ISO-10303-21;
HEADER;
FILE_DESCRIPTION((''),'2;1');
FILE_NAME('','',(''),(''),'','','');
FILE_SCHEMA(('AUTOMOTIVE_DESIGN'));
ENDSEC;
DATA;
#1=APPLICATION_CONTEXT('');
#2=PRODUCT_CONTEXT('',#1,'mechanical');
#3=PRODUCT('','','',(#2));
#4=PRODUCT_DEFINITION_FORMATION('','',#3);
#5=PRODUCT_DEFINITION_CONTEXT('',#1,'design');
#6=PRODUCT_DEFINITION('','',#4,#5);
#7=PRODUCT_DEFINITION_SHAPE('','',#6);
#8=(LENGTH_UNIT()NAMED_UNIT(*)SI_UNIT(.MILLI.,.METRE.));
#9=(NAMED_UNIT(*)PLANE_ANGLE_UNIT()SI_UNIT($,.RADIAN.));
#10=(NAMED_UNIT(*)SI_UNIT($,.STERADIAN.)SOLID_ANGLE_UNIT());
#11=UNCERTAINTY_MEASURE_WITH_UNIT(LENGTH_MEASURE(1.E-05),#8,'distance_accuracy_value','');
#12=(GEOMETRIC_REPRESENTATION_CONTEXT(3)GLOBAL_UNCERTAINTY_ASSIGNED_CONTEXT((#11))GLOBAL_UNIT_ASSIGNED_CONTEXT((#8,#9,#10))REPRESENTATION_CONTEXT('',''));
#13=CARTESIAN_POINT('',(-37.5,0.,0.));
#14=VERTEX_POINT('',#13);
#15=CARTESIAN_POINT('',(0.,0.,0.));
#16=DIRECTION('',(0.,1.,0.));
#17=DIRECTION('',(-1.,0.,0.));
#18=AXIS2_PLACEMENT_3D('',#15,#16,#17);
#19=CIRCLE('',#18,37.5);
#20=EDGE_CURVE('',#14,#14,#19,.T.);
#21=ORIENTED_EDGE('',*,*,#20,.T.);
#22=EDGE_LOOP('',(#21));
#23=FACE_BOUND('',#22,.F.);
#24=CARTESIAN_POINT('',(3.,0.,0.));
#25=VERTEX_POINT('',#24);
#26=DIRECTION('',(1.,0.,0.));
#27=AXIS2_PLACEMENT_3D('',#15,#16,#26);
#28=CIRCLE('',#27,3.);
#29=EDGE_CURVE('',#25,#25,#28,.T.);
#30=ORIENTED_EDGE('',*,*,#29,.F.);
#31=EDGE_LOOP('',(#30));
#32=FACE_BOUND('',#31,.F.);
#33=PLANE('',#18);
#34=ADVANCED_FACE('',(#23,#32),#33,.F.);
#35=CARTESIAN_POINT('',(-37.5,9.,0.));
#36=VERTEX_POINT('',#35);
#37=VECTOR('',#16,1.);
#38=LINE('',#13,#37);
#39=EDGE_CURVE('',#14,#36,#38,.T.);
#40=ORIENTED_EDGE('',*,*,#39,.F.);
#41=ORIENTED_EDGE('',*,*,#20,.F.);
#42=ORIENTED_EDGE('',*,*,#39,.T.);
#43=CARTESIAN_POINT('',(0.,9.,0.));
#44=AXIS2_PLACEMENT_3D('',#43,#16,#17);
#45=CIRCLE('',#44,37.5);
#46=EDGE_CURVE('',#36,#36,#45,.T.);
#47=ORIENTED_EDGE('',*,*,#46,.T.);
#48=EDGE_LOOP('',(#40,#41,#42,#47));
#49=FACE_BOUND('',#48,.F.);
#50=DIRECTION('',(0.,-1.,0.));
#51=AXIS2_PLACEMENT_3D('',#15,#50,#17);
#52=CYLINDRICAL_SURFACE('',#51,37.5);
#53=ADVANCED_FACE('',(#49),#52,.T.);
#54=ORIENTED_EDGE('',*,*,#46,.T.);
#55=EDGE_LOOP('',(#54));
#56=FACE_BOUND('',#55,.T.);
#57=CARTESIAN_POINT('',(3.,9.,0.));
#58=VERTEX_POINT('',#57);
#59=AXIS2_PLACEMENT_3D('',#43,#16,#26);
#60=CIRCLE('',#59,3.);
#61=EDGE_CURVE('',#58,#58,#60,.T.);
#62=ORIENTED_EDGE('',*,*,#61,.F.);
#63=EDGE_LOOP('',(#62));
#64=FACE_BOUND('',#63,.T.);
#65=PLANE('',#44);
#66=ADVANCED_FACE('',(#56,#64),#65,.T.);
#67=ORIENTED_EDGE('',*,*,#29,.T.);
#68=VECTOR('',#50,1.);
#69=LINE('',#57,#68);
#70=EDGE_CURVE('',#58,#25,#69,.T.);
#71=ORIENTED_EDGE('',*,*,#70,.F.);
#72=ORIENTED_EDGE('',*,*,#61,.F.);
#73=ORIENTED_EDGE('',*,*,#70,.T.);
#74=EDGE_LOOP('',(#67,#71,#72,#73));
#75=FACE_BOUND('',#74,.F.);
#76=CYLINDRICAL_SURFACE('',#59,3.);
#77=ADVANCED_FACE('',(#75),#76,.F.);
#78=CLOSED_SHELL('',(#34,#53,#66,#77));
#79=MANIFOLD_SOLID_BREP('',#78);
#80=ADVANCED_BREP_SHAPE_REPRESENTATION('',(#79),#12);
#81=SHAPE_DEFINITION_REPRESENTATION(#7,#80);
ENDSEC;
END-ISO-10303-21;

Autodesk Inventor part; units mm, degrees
ref_plane "YZ Plane" through (0, 0, 0) normal (1, 0, 0) x (0, 1, 0)
ref_plane "XZ Plane" through (0, 0, 0) normal (0, 1, 0) x (-1, 0, 0)
ref_plane "XY Plane" through (0, 0, 0) normal (0, 0, 1) x (1, 0, 0)
sketch "Sketch1" plane through (0, 0, 0) normal (0, 1, 0) x (-1, 0, 0)
  circle A0 centre (0, 0) radius 37.5
  dimension "d0" = 75
extrude "Extrusion1" add sketch "Sketch1" along normal blind 9
sketch "Sketch2" plane through (0, 9, 0) normal (0, 1, 0) x (1, 0, 0)
  circle A0 centre (0, 0) radius 37.5 projected
  circle A1 centre (0, 0) radius 3
  dimension "d3" = 6
extrude "Extrusion2" cut sketch "Sketch2" against normal blind 9 contours A1
properties part number "HubPart" material "Aluminum 6061"
